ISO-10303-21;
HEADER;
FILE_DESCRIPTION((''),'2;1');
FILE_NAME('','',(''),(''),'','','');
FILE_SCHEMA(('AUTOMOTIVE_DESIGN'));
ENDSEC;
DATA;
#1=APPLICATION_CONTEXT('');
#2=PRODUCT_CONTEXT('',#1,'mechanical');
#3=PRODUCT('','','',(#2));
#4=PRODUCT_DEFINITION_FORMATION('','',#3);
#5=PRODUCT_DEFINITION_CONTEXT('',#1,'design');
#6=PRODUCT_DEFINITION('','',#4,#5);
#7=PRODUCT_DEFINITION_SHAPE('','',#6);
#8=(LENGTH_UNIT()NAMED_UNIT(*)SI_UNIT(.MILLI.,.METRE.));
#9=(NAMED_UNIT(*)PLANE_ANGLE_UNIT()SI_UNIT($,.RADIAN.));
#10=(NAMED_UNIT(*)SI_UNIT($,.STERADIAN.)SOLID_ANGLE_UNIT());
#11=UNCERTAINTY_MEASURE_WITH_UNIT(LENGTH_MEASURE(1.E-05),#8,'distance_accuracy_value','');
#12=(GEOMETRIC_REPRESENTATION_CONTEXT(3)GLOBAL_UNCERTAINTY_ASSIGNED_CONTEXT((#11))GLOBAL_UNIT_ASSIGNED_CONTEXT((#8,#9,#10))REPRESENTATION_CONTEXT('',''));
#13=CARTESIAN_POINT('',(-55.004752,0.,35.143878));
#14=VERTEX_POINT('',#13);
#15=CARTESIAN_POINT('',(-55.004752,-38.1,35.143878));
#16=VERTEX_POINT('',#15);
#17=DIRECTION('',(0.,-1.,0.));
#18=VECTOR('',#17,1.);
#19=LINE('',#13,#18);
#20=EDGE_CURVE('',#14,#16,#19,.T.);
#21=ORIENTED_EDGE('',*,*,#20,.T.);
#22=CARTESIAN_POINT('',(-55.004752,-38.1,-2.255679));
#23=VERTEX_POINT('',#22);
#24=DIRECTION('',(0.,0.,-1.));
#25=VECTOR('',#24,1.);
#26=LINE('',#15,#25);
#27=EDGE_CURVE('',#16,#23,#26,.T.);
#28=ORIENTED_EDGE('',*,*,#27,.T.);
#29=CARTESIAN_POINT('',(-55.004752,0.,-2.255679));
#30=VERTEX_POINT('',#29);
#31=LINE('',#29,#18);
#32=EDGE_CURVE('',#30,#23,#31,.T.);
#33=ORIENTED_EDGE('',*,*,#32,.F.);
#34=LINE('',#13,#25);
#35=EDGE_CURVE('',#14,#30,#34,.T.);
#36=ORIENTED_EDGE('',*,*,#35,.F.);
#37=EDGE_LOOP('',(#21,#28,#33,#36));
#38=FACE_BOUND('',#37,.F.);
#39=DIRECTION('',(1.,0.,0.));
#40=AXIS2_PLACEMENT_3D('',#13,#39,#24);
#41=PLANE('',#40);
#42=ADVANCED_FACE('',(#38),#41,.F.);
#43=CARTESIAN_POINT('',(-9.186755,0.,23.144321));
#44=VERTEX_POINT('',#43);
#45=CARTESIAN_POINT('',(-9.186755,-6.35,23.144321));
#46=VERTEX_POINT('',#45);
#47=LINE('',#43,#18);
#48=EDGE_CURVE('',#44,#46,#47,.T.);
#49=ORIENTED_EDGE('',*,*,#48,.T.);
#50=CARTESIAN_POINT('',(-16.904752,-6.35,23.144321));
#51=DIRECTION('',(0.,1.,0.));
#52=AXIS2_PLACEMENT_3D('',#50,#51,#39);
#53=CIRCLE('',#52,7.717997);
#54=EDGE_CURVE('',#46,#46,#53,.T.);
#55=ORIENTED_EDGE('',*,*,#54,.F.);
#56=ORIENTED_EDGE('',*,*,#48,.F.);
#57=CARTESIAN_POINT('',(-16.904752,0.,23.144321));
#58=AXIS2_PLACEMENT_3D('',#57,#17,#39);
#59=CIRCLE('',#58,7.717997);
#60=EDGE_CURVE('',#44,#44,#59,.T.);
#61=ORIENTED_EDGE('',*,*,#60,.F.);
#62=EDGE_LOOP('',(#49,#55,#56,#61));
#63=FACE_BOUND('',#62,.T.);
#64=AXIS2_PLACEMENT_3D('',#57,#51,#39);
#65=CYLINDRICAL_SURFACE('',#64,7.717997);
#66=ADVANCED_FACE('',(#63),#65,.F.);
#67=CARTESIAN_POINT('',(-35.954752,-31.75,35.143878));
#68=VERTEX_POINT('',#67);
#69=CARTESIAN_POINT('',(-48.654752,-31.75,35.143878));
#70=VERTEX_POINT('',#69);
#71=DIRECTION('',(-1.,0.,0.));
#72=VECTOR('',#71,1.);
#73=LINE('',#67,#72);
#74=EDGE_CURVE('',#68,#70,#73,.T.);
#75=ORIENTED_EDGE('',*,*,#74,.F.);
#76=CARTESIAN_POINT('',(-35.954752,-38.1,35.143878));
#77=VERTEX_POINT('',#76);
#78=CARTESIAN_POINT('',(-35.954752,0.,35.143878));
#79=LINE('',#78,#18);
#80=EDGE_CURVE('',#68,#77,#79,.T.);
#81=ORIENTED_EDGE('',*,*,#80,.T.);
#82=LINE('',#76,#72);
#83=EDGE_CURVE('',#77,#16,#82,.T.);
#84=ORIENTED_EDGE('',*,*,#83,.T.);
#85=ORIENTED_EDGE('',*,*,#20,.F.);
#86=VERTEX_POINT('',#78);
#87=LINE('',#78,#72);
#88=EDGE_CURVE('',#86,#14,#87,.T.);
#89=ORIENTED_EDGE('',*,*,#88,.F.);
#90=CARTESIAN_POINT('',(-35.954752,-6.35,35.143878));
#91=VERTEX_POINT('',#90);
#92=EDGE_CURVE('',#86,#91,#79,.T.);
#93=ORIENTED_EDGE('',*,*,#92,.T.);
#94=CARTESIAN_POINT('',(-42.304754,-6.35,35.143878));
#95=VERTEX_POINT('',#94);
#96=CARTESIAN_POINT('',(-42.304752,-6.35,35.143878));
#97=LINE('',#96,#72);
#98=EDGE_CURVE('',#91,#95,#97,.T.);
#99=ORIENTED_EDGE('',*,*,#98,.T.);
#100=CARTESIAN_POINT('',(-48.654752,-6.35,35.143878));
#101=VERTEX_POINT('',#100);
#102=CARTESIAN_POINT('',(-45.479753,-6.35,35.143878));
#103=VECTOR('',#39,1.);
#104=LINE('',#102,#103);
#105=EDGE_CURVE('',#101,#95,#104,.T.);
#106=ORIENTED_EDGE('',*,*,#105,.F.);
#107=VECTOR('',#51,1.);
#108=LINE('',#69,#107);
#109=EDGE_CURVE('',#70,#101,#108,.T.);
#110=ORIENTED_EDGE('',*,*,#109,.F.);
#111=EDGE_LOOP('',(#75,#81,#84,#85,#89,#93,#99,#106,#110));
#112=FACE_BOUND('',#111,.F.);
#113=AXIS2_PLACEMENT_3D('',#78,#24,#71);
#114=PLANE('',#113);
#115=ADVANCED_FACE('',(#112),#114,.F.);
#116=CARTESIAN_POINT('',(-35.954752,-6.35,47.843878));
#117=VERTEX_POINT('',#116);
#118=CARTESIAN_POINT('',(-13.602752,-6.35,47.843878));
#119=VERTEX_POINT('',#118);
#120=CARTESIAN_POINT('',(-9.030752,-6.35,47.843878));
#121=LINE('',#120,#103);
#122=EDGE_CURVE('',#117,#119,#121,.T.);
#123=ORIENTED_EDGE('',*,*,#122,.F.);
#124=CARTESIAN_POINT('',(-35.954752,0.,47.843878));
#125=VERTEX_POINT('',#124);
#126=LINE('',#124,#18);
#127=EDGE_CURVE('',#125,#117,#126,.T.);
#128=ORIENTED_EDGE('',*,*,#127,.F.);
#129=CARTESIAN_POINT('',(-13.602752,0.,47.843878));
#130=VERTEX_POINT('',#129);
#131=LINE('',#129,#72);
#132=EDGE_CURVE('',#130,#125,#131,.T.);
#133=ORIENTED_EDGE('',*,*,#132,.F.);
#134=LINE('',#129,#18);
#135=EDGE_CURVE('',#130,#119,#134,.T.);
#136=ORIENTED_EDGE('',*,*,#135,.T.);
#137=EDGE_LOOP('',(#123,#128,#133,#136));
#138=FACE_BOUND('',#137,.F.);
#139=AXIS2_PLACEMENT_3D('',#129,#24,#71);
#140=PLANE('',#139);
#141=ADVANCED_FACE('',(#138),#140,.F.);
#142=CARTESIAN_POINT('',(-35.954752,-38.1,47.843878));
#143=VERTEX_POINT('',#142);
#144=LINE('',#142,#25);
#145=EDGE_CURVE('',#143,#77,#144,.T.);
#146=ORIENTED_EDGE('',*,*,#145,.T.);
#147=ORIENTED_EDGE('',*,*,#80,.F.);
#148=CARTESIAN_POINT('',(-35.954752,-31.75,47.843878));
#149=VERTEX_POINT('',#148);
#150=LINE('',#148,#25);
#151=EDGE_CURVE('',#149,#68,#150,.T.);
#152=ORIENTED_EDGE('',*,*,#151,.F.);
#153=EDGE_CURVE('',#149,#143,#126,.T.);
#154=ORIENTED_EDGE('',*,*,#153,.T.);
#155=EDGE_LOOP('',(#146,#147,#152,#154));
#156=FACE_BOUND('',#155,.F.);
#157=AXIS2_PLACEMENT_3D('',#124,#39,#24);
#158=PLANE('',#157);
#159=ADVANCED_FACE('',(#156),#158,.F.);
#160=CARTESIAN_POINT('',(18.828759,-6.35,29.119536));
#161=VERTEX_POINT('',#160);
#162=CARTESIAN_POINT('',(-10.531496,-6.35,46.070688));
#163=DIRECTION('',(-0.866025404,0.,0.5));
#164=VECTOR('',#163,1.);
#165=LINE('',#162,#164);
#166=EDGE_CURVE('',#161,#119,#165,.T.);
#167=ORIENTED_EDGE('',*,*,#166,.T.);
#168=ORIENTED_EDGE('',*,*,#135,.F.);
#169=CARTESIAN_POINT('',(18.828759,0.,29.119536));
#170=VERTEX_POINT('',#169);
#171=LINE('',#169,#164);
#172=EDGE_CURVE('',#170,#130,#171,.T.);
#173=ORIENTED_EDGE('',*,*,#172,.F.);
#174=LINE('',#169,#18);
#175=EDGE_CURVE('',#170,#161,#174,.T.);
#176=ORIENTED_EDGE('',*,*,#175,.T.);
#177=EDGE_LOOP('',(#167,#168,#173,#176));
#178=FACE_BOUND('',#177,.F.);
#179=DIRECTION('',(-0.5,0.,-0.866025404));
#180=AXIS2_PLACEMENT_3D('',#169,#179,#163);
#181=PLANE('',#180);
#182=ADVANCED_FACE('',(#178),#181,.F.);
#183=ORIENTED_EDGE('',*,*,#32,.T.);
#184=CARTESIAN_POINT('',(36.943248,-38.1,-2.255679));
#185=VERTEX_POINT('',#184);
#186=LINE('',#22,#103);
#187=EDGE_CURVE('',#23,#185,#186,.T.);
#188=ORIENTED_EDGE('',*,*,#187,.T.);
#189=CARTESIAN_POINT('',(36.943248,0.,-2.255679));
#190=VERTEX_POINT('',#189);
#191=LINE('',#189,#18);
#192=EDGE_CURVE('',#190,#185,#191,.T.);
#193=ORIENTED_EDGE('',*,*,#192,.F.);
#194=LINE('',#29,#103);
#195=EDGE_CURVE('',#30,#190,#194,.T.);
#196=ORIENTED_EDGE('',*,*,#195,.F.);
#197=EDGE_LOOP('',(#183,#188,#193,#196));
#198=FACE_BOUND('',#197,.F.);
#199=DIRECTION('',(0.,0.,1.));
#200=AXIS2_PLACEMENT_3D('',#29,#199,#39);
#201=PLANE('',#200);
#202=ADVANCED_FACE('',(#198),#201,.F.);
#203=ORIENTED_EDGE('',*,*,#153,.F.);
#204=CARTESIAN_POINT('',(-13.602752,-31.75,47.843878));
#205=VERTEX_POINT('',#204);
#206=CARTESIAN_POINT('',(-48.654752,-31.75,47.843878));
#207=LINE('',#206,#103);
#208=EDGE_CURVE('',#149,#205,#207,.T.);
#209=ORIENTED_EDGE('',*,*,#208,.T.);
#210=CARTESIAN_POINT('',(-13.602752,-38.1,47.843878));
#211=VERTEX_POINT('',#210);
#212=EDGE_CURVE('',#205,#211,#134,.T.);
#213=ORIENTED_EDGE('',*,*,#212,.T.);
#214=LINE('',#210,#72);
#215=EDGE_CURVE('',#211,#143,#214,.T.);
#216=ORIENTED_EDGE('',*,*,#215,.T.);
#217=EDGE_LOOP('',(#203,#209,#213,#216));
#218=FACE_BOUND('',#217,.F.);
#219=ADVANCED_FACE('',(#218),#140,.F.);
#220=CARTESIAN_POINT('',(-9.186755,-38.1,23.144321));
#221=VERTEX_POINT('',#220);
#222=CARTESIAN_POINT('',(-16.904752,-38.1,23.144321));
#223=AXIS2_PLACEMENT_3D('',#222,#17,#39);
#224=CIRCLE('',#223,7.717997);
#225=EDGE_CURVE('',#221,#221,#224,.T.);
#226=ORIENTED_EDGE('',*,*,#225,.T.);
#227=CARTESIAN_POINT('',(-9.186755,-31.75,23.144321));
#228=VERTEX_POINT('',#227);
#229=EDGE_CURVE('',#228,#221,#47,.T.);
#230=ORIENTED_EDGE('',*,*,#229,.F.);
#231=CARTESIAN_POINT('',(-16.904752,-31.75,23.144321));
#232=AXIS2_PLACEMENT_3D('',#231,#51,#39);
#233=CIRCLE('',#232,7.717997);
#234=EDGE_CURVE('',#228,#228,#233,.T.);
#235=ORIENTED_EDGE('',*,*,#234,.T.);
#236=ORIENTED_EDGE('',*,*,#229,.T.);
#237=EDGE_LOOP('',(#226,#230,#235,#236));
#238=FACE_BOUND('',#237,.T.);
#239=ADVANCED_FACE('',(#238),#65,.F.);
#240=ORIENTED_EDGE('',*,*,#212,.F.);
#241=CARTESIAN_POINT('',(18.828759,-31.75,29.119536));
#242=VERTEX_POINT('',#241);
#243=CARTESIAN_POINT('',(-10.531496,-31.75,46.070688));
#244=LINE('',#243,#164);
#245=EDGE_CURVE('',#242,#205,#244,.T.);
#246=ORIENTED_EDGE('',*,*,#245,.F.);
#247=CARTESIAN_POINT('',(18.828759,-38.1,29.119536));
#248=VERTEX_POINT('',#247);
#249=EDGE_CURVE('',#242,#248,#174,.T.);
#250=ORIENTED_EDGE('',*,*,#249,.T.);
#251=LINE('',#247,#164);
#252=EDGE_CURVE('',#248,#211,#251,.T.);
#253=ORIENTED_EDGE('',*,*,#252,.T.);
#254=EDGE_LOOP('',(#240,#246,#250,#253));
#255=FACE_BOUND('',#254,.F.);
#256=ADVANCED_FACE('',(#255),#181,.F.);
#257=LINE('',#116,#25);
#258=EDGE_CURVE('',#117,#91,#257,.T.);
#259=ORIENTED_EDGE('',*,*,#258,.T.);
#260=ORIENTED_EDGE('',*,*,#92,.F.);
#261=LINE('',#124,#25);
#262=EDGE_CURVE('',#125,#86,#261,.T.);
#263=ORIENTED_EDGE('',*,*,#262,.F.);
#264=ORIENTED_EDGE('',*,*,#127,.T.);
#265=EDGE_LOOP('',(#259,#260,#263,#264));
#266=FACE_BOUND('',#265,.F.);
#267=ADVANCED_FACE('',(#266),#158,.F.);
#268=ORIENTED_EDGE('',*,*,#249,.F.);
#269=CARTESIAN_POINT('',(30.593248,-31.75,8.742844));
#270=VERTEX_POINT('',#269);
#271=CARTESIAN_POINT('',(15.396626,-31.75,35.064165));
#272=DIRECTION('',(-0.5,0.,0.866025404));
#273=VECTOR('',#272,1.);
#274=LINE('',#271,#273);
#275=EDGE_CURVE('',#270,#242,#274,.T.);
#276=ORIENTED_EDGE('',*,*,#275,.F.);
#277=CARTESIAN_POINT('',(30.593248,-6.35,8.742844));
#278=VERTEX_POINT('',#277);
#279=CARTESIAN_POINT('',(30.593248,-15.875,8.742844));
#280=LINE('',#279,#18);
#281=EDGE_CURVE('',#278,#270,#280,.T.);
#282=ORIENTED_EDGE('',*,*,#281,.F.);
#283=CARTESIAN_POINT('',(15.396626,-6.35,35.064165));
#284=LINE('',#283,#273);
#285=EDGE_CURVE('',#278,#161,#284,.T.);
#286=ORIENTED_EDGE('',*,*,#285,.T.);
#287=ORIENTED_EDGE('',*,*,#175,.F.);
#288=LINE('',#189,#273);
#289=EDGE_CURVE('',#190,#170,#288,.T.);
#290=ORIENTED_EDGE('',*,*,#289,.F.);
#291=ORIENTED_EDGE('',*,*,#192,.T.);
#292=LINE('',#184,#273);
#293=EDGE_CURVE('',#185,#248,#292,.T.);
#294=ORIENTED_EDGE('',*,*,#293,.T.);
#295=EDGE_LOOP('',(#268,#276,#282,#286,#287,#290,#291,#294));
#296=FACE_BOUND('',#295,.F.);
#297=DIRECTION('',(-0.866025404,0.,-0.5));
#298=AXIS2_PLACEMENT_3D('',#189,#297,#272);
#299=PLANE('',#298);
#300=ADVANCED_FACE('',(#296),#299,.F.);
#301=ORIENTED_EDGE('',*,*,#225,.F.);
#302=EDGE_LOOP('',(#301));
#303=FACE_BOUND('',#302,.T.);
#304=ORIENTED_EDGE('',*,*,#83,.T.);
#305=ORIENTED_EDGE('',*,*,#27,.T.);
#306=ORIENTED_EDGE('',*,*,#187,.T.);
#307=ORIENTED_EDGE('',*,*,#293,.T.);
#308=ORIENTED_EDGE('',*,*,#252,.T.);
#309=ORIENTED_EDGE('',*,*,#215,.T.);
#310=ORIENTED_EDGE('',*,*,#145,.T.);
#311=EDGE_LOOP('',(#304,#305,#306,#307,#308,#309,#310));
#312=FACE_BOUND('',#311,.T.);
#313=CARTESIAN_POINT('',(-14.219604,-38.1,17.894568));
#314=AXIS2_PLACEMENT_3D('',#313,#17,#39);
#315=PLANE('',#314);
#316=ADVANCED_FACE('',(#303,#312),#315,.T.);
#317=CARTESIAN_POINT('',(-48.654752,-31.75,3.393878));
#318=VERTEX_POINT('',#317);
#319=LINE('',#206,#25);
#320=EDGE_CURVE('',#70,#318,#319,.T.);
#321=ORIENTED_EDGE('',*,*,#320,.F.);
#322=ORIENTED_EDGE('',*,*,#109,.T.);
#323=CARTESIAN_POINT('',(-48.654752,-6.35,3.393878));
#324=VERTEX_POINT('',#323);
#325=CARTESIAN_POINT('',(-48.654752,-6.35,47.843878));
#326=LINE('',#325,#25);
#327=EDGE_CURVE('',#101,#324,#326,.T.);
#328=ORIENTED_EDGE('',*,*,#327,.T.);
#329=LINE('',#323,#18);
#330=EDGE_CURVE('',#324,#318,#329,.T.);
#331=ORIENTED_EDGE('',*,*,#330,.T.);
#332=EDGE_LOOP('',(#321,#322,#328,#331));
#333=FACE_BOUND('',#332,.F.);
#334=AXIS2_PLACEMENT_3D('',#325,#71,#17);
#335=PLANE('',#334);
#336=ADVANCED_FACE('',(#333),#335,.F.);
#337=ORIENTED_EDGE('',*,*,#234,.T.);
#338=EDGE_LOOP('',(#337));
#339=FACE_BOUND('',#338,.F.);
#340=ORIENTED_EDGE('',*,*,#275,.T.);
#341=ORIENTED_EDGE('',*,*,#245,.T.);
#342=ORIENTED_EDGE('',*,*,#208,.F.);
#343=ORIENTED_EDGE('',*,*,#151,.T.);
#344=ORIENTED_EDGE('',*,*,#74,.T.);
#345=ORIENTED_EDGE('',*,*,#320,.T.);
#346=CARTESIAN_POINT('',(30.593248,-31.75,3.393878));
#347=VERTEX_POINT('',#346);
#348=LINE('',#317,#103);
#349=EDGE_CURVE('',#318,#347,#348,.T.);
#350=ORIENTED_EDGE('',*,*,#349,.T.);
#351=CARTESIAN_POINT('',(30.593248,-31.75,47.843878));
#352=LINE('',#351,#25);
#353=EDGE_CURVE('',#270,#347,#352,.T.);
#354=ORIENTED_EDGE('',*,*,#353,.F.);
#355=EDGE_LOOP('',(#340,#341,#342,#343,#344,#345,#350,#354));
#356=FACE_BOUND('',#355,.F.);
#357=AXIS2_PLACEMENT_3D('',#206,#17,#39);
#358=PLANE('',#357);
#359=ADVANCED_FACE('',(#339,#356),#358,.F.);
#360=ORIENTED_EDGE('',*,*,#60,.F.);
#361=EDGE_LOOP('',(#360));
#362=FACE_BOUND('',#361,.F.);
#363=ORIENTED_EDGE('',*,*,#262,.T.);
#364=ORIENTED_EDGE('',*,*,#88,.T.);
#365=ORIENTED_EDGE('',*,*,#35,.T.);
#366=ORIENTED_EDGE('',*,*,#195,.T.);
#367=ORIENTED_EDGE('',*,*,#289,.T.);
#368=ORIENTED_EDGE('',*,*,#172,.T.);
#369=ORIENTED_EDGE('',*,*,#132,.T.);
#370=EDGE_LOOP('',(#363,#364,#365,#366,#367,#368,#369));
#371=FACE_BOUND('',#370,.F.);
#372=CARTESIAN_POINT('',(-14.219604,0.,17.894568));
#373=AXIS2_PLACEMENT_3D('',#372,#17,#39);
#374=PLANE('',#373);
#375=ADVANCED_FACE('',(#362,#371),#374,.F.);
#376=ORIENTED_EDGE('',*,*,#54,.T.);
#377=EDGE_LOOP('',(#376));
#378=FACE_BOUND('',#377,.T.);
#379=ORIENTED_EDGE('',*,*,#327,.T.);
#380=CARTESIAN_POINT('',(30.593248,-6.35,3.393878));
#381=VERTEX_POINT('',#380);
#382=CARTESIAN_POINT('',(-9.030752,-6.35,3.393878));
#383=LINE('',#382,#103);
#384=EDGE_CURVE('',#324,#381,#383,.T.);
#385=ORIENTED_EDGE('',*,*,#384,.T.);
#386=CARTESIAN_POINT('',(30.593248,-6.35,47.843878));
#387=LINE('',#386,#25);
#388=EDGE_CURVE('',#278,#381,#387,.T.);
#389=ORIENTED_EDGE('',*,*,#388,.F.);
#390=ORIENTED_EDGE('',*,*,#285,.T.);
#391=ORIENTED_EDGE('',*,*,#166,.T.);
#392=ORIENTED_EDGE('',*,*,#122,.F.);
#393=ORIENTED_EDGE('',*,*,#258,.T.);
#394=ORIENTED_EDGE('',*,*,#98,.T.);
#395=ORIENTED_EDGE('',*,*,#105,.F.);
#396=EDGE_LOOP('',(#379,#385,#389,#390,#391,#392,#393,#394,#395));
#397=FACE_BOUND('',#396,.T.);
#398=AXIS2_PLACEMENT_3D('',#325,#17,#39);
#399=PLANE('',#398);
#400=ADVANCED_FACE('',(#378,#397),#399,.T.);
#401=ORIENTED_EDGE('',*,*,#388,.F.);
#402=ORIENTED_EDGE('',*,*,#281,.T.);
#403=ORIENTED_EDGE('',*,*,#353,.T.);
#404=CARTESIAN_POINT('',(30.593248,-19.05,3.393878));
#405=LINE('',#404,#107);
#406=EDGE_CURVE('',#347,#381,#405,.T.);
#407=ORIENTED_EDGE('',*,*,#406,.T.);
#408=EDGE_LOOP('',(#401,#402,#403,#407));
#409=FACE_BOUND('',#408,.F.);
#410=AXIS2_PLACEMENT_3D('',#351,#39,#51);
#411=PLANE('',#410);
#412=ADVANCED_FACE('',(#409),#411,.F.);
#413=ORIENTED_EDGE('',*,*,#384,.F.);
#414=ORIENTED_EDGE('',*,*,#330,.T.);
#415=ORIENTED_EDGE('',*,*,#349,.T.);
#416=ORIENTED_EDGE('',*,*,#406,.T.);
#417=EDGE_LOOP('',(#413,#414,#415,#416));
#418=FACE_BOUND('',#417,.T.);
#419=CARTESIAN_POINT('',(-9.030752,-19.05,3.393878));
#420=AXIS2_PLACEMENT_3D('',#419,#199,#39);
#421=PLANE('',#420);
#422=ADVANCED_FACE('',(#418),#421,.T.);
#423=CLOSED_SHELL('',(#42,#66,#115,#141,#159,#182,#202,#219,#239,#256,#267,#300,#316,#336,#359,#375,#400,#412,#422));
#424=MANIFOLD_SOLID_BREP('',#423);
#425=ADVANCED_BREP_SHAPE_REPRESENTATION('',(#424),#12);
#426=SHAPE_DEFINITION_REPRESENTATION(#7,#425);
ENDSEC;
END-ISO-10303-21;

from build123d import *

# Parameters (mm, degrees)
F0_R     = 7.7179968939
F1_DEPTH = 38.1
F2_W     = 6.3499980524
F2_H     = 3.8099980524
F2_H_2   = 5.3974985393
F3_DEPTH = 12.7
F4_W     = 79.248
F4_H     = 25.4
F5_DEPTH = 44.45


with BuildPart() as f1:
    # F0 (on Front) → F1 (new body)
    with BuildSketch(Plane.XZ):
        Polygon((-13.60275174, 47.8438777382), (-35.95475174, 47.8438777382), (-35.95475174, 35.1438777382), (-55.00475174, 35.1438777382), (-55.00475174, -2.255679107), (36.94324826, -2.255679107), (18.8287593137, 29.1195361012), align=None)
        with Locations((-16.90475174, 23.144320893)):
            Circle(F0_R, mode=Mode.SUBTRACT)
    extrude(amount=F1_DEPTH)

    # F2 (on face) → F3 (join)
    with BuildSketch(Plane.XY.offset(35.1438777382)):
        with Locations((-45.4797527138, -29.8450009738)):
            Rectangle(F2_W, F2_H)
        with Locations((-45.4797527138, -9.0487492696)):
            Rectangle(F2_W, F2_H_2)
    extrude(amount=F3_DEPTH)

    # F4 (on face) → F5 (cut)
    with BuildSketch(Plane.XY.offset(47.8438777382)):
        with Locations((-9.03075174, -19.05)):
            Rectangle(F4_W, F4_H)
        Polygon((-42.3047536876, -27.9400019476), (-42.3047536876, -31.75), (30.59324826, -31.75), (30.59324826, -6.35), (-48.65475174, -6.35), (-48.65475174, -27.9400019476), align=None)
    extrude(amount=-F5_DEPTH, mode=Mode.SUBTRACT)


solid = f1.part
